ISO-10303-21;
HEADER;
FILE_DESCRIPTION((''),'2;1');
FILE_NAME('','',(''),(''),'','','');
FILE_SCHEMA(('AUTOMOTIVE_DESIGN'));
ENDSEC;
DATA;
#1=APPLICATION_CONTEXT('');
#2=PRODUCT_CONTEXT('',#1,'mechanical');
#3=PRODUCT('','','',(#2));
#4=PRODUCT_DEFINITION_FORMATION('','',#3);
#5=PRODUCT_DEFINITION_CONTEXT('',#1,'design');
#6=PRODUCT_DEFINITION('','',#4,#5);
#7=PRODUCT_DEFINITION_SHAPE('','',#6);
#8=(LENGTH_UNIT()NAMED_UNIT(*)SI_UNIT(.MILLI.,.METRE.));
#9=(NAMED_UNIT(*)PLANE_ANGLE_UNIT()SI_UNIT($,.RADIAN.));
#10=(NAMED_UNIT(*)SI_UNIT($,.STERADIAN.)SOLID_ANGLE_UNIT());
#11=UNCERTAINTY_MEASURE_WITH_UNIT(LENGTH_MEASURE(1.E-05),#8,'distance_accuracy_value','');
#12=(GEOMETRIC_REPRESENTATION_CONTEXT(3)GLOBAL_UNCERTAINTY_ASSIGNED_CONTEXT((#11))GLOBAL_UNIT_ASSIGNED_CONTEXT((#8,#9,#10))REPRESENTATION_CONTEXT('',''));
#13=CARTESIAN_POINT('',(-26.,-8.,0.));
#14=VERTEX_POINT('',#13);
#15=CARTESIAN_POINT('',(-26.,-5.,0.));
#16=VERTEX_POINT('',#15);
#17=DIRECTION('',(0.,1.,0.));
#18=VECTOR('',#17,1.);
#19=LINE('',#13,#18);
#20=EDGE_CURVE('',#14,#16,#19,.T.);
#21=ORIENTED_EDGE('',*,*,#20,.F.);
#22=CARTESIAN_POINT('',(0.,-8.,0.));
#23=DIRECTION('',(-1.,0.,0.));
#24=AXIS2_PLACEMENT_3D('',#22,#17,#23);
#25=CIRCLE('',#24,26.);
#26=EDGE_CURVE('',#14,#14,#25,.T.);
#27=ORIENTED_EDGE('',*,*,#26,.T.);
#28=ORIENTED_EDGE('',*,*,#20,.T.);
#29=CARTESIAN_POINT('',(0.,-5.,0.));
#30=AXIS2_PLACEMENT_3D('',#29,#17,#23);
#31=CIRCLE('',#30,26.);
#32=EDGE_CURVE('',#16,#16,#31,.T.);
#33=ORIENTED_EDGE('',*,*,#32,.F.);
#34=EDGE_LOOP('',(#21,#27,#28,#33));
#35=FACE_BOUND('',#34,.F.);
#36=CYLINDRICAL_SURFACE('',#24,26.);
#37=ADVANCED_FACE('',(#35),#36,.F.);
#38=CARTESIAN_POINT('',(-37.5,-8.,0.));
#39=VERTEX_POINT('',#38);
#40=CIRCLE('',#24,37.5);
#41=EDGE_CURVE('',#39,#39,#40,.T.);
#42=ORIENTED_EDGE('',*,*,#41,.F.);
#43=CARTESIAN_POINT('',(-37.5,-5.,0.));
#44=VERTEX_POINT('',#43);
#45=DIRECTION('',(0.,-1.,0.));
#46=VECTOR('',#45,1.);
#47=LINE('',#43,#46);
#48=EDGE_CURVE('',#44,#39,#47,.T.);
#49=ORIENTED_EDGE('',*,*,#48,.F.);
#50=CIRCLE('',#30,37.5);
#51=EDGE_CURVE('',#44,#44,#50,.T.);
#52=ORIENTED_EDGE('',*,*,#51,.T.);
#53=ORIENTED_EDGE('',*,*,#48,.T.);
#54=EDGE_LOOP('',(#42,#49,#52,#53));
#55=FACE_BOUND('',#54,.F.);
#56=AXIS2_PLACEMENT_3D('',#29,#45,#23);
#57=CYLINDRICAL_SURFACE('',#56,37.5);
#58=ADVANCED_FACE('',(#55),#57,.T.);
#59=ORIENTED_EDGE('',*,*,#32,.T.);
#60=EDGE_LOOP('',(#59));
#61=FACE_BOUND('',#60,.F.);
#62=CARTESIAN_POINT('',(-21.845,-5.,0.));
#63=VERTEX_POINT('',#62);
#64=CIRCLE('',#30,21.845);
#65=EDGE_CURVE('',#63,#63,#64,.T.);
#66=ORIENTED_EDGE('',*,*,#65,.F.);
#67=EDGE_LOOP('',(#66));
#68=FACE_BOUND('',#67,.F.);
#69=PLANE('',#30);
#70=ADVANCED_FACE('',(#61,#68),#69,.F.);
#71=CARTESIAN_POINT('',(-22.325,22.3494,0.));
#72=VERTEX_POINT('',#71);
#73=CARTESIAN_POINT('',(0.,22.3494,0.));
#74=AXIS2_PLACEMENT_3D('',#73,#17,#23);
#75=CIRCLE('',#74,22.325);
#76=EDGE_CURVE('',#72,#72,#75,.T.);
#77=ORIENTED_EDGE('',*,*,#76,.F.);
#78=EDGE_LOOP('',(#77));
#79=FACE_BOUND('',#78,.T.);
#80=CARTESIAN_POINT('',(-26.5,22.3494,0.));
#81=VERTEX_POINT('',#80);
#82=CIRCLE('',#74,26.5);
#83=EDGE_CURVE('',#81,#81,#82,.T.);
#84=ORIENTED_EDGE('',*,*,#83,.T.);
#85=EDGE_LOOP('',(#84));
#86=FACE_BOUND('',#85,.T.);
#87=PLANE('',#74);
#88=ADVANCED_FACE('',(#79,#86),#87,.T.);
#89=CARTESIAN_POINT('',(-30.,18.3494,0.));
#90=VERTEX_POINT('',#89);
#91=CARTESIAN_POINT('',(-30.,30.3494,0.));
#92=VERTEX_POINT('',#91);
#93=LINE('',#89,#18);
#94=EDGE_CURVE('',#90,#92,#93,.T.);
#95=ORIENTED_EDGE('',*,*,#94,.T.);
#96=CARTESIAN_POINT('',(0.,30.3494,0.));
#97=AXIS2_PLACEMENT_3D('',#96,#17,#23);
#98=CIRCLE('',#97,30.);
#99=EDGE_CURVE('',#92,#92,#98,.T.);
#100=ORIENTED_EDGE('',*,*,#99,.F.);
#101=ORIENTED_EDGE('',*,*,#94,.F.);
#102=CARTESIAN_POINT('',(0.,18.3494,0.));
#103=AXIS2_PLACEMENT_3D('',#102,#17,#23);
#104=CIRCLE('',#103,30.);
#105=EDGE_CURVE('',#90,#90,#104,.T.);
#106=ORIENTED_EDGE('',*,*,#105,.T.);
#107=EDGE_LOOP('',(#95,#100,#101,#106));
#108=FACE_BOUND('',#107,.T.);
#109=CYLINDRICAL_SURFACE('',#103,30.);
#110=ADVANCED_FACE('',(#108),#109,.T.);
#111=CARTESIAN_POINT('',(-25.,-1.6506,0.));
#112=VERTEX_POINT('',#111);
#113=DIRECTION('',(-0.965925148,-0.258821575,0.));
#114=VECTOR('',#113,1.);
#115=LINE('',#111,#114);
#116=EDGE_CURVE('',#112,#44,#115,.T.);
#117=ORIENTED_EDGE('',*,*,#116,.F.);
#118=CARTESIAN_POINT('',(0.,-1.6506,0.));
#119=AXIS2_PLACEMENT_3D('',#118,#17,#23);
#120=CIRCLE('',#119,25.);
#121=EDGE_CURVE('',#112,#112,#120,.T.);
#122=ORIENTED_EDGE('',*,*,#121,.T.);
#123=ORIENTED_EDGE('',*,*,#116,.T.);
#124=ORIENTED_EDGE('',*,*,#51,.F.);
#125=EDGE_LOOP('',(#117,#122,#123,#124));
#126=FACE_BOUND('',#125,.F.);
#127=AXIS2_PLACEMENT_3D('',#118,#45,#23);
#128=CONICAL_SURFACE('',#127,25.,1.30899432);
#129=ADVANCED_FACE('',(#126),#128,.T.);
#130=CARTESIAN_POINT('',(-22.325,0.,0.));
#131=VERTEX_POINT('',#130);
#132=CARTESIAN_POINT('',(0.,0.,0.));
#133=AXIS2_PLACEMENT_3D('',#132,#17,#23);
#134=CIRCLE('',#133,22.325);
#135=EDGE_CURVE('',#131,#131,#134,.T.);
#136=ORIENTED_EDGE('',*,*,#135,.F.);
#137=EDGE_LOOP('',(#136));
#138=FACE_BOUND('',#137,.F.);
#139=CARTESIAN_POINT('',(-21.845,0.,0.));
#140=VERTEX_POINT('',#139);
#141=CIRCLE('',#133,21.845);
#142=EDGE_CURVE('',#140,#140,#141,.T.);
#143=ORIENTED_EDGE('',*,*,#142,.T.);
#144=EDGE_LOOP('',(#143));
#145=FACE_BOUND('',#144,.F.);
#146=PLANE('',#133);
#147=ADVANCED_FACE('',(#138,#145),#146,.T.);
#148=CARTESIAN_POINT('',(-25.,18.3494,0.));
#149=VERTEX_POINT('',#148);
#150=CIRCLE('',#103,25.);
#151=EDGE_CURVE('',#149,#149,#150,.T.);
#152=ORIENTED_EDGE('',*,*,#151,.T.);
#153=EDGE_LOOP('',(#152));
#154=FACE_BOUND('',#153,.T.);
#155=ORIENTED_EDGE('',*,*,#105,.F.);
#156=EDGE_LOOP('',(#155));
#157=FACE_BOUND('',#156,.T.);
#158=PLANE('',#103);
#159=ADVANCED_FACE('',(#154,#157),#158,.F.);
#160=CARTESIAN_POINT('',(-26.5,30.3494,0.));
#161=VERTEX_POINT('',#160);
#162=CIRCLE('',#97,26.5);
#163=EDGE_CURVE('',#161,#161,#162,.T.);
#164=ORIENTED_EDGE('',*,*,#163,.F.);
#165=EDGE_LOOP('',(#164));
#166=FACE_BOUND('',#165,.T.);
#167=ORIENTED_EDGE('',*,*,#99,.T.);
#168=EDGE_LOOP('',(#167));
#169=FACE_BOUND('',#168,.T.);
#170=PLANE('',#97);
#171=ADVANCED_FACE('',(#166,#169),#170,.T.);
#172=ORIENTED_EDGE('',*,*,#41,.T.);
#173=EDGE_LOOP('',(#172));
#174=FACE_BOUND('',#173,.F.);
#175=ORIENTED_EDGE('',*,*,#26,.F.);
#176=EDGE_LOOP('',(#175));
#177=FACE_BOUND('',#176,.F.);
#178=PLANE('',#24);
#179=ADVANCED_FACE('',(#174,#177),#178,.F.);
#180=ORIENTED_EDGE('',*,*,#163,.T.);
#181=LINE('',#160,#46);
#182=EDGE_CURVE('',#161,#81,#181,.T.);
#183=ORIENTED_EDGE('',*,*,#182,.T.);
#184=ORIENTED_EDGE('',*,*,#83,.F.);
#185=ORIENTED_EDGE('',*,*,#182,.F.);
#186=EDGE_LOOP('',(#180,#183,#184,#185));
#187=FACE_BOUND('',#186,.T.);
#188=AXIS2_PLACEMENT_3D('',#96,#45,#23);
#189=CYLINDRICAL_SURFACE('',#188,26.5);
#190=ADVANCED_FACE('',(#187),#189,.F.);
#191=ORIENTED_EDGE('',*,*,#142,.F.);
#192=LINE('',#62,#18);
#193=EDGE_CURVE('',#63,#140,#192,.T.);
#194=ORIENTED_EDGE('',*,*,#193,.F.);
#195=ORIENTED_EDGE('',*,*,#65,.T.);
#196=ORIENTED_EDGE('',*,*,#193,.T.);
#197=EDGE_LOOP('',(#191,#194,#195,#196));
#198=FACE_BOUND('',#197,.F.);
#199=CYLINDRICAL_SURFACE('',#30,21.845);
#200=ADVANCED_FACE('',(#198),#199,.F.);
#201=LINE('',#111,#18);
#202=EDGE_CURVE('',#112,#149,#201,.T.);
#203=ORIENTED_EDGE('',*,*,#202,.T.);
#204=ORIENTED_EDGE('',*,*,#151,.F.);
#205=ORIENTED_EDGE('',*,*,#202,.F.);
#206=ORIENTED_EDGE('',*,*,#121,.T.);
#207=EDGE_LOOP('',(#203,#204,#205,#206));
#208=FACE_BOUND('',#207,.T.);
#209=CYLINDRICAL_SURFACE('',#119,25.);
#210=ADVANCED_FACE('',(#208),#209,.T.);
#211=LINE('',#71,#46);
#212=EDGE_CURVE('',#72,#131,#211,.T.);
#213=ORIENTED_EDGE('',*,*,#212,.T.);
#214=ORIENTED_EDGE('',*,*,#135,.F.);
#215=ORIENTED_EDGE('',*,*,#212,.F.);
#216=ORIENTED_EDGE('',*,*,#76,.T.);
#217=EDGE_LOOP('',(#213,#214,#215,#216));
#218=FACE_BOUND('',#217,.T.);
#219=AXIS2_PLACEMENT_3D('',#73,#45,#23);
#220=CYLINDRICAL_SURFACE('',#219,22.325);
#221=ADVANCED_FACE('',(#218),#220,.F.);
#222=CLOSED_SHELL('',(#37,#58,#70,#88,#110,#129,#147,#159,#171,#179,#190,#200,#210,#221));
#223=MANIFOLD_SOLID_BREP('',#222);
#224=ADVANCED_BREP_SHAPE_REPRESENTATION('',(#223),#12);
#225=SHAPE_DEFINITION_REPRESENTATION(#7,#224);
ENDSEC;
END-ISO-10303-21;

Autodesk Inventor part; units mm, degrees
ref_plane "YZ Plane" through (0, 0, 0) normal (1, 0, 0) x (0, 1, 0)
ref_plane "XZ Plane" through (0, 0, 0) normal (0, 1, 0) x (-1, 0, 0)
ref_plane "XY Plane" through (0, 0, 0) normal (0, 0, 1) x (1, 0, 0)
sketch "Sketch1" plane through (0, 0, 0) normal (0, 0, 1) x (1, 0, 0)
  line L0 (-22.325, 22.3494) -> (-22.325, 0)
  line L1 (-25, -1.6506) -> (-25, 18.3494)
  line L2 (-25, 18.3494) -> (-30, 18.3494)
  line L3 (-30, 18.3494) -> (-30, 30.3494)
  line L4 (-30, 30.3494) -> (-26.5, 30.3494)
  line L5 (-26.5, 30.3494) -> (-26.5, 22.3494)
  line L6 (-26.5, 22.3494) -> (-22.325, 22.3494)
  line L7 (0, -15.6699) -> (0, 38.0192) projected
  line L8 (-25, -1.6506) -> (-37.5, -5)
  line L9 (-37.5, -5) -> (-37.5, -8)
  line L10 (-37.5, -8) -> (-26, -8)
  line L11 (-26, -8) -> (-26, -5)
  line L12 (-26, -5) -> (-21.845, -5)
  line L13 (-21.845, -5) -> (-21.845, 0)
  line L14 (-21.845, 0) -> (-22.325, 0)
  point P0 (0, 0)
  dimension "neck_ir" = 22.325
  dimension "d4" = 8
  dimension "neck_thread_dia" = 30
  dimension "neck_thread_len" = 12
  dimension "d14" = 26
  dimension "d15" = 21.845
  dimension "d16" = 3
  dimension "d17" = 15
  dimension "d18" = 3
  dimension "d19" = 37.5
  dimension "d20" = 25
  dimension "d21" = 20
  dimension "d22" = 5
  dimension "d23" = 26.5
revolve "Revolution1" add sketch "Sketch1" angle 360 about axis through (0, -10, 0) along (0, 1, 0)
thread "Thread1" size "M60x1" class "6g" standard "ANSI Metric M Profile" full length
equation "\"d4\" = 2 * oring_dia"
equation "\"d15\" = 0.5 * cylinder_od - cylinder_wall"
equation "\"d23\" = 0.5 * oring_od"
equation "\"oring_diameter\" = 4"
equation "\"oring_dia\" = 4"
equation "\"cylinder_od\" = 44.45"
equation "\"cylinder_wall\" = 0.38"
equation "\"oring_od\" = 53"
properties part number "KF_fitting" material "Brass, Soft Yellow"
